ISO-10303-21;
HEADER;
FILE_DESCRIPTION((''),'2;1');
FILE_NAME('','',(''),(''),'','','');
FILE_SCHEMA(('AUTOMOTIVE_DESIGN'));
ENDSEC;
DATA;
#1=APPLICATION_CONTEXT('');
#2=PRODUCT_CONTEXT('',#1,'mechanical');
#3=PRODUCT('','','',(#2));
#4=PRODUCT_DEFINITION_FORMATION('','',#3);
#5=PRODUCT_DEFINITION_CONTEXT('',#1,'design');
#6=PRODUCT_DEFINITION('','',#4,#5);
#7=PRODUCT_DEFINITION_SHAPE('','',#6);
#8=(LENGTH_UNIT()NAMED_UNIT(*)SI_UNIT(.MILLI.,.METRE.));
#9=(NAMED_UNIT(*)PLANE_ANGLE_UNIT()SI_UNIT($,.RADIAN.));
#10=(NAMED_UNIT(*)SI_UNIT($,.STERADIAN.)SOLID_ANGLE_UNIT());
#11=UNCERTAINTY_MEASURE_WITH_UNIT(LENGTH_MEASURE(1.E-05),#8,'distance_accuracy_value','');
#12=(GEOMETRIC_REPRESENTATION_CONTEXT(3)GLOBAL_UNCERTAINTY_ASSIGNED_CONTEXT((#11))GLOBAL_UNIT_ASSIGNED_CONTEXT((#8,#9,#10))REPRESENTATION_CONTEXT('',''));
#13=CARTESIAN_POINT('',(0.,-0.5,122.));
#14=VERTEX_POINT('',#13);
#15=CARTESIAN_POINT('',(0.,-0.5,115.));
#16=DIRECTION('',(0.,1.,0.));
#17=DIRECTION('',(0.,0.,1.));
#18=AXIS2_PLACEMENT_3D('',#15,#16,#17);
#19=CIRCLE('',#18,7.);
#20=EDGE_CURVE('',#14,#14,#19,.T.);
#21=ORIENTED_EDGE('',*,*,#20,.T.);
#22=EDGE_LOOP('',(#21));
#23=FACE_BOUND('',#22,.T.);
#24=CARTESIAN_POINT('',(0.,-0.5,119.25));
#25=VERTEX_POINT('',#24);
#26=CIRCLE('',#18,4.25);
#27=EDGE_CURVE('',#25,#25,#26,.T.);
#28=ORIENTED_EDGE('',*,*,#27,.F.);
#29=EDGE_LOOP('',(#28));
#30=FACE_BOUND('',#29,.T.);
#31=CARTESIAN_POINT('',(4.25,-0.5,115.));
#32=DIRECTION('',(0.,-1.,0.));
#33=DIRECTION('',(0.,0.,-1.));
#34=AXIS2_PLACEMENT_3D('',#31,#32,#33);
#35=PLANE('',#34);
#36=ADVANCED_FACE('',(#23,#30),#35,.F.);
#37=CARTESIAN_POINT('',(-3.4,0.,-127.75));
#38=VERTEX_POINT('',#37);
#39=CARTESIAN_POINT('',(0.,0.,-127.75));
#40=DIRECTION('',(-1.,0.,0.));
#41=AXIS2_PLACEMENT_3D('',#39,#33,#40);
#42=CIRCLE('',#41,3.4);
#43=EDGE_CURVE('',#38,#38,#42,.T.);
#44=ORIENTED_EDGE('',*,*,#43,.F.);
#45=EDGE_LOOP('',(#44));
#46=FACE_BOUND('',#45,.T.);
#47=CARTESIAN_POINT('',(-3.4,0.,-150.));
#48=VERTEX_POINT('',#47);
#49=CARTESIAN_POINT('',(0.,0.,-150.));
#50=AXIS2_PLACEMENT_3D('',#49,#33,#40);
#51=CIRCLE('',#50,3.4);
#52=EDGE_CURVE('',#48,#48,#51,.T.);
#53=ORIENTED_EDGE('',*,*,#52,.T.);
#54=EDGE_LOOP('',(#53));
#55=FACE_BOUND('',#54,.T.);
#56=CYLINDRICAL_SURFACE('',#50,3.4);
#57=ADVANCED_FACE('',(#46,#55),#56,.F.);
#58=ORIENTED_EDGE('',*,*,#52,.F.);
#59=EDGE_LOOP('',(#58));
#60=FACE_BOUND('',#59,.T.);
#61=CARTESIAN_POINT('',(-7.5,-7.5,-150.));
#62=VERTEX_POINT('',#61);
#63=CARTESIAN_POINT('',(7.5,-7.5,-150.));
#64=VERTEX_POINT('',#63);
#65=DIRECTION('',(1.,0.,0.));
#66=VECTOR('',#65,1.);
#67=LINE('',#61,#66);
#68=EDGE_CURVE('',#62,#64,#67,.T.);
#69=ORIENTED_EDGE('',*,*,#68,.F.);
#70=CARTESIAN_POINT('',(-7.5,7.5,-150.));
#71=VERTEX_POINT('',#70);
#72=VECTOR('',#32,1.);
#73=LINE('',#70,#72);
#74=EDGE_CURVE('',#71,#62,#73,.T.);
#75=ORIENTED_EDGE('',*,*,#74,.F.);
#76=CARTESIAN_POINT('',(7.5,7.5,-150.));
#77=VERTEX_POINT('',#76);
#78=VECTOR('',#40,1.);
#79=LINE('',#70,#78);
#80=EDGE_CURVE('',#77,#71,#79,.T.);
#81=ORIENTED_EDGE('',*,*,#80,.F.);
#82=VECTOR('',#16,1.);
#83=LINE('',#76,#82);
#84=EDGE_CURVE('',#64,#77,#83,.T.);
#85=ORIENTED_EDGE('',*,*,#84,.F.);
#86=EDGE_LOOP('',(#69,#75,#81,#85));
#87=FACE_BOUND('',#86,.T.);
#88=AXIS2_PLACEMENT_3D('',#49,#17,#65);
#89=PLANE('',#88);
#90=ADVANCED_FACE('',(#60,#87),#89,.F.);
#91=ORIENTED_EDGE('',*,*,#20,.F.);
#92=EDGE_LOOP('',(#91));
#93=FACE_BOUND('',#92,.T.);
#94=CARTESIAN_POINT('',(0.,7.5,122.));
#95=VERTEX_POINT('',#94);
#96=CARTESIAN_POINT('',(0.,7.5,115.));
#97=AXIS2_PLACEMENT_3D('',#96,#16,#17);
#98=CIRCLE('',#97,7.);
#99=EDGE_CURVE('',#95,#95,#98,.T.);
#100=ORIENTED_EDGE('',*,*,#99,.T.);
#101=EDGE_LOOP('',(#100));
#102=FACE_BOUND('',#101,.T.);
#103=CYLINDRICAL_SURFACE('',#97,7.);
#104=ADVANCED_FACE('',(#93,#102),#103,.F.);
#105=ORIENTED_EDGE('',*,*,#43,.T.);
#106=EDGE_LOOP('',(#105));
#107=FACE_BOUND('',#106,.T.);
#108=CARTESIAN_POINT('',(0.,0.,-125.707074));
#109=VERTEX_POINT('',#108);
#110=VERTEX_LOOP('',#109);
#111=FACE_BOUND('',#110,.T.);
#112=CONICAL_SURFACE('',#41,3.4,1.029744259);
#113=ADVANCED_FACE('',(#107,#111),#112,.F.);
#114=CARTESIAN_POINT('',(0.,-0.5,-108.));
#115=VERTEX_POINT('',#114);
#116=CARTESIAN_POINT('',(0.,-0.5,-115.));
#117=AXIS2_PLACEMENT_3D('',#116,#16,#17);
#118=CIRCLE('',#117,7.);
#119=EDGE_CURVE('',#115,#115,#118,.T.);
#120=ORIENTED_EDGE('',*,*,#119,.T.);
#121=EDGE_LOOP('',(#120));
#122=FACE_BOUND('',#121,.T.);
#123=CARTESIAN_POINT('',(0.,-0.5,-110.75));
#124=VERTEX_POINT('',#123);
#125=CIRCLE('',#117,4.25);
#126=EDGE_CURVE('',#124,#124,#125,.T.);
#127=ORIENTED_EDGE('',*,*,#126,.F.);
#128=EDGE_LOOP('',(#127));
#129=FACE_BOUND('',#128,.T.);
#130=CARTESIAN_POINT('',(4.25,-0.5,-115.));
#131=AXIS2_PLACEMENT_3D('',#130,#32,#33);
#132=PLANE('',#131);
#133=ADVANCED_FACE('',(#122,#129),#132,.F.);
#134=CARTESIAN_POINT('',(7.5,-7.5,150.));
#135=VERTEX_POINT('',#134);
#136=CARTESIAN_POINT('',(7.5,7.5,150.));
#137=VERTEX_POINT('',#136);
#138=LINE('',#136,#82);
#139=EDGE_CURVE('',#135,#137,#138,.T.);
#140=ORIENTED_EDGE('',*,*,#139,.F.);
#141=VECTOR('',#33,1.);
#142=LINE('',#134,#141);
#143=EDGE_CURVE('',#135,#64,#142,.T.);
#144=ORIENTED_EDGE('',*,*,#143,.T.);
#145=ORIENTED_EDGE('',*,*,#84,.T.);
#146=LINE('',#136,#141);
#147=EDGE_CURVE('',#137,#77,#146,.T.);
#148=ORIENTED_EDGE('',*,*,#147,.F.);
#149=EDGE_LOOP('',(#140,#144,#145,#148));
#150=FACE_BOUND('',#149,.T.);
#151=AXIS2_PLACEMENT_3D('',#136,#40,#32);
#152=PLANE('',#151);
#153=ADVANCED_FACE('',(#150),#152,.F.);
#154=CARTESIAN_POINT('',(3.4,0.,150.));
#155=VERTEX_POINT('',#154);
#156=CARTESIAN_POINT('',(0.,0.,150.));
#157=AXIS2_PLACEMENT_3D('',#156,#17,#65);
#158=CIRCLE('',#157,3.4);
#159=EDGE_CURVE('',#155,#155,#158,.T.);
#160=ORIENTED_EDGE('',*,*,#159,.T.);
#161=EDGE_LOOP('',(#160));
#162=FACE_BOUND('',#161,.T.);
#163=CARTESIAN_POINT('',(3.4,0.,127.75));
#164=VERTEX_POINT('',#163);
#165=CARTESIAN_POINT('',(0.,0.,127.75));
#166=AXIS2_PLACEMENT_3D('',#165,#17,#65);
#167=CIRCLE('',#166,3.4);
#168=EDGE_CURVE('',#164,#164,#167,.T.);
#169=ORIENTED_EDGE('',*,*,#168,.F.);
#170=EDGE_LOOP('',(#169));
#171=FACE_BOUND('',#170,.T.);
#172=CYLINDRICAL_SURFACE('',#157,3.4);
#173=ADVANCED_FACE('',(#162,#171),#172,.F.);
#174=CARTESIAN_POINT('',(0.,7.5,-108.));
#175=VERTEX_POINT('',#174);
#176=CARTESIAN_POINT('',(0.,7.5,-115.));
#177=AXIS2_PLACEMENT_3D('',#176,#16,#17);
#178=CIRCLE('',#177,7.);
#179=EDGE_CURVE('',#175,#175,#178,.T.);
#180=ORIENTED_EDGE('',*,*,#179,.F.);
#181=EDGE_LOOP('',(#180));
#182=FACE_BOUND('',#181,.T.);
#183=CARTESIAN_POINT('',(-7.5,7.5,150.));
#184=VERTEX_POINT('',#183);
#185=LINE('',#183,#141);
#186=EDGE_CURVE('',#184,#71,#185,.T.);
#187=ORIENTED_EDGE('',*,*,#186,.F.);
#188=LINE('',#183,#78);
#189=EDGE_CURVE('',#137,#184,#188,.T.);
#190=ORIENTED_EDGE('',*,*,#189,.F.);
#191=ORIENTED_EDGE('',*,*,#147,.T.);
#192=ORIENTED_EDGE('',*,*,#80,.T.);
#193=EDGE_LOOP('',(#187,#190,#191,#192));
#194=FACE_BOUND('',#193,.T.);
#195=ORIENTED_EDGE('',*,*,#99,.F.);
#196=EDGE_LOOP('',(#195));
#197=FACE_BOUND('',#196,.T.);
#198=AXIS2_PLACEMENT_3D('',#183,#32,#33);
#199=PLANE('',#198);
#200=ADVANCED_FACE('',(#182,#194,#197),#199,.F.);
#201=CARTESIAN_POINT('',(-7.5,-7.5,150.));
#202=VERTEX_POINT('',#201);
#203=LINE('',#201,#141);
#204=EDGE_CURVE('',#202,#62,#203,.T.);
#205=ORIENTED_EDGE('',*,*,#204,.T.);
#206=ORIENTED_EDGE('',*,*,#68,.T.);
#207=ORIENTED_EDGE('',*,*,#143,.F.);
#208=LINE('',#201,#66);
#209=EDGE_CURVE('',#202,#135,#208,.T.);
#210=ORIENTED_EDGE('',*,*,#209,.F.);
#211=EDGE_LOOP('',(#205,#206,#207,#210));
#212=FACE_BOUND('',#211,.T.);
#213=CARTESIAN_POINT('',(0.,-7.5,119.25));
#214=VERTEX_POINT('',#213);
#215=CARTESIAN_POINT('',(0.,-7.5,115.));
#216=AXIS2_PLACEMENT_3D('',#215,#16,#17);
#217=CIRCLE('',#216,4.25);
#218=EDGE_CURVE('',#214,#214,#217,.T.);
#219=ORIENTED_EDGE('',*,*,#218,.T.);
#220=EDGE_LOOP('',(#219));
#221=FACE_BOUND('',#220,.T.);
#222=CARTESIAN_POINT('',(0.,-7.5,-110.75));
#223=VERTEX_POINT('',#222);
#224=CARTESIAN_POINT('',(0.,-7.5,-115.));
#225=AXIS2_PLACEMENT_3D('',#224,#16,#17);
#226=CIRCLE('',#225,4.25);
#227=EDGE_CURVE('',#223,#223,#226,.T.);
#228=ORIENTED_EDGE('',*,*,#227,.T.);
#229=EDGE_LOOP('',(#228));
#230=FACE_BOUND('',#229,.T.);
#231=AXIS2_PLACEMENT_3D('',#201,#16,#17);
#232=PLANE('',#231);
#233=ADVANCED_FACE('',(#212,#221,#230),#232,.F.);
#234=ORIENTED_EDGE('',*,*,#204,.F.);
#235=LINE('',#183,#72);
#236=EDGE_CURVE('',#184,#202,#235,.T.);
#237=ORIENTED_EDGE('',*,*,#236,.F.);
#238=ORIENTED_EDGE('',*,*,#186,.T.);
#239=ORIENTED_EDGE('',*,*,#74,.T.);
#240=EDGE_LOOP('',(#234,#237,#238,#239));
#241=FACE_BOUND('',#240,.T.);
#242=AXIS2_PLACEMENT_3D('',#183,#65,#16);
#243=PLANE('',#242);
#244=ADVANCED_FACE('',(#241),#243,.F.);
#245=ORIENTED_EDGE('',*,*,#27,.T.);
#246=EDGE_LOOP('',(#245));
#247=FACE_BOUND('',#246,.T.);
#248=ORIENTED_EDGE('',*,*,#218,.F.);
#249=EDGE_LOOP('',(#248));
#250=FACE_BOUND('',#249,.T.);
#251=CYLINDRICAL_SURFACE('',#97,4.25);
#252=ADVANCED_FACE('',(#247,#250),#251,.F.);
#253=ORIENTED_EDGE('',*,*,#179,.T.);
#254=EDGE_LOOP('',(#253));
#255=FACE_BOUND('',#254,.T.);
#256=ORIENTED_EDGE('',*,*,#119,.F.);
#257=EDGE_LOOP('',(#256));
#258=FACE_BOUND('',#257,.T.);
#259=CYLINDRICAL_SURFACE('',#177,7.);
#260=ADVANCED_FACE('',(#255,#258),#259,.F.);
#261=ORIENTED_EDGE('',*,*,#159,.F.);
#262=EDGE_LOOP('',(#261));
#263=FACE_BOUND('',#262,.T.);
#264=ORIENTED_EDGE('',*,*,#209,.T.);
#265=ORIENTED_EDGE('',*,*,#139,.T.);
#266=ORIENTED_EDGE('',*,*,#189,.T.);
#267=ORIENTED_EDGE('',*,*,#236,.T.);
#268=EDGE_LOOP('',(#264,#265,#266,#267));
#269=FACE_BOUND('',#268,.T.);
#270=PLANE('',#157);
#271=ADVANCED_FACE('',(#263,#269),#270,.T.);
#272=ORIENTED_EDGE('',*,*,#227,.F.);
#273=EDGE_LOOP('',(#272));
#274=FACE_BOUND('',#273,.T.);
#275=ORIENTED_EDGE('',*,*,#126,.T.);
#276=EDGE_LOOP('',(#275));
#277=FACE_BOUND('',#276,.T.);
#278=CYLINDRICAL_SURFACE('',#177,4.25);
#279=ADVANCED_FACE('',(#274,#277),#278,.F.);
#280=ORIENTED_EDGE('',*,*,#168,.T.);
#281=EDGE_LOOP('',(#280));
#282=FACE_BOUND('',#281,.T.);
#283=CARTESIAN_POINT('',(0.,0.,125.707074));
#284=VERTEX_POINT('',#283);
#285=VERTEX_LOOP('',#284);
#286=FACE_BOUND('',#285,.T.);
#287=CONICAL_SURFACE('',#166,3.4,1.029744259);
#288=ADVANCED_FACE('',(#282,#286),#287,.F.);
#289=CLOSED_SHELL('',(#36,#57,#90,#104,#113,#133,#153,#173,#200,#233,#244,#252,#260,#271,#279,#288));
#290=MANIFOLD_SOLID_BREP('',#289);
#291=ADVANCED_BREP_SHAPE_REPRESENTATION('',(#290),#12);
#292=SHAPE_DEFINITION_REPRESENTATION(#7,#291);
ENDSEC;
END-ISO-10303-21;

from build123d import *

# Parameters (mm, degrees)
IZIM1_W                     = 15
IZIM1_H                     = 15
Y_KSEKLIK_EKSTR_ZYON1_DEPTH = 150
DELIK1_D                    = 8.5
DELIK1_DEPTH                = 15
DELIK1_CBORE_D              = 14
DELIK1_CBORE_DEPTH          = 8


with BuildPart() as part:
    # Çizim1 → Yükseklik-Ekstrüzyon1 (new body, symmetric)
    with BuildSketch(Plane.XY):
        Rectangle(IZIM1_W, IZIM1_H)
    extrude(amount=Y_KSEKLIK_EKSTR_ZYON1_DEPTH, both=True)

    # Çizim3 → M8 Dişli Delik1 (revolve, cut)
    with BuildSketch(Plane(origin=(0, 0, 150), x_dir=(0, -1, 0), z_dir=(1, 0, 0))):
        Polygon((0, 0), (0, 24.292926105), (3.4, 22.25), (3.4, 0), align=None)
    m8_di_li_delik1 = revolve(axis=Axis((0, 0, 156.35), (0, 0, -1)), mode=Mode.SUBTRACT)

    # Aynalama1: M8 Dişli Delik1 across plane
    add(m8_di_li_delik1.mirror(Plane.XY), mode=Mode.SUBTRACT)

    # Delik1
    with Locations(Plane(origin=(0, 7.5, 0), x_dir=(1, 0, 0), z_dir=(0, 1, 0))):
        with Locations((0, 115)):
            delik1 = CounterBoreHole(DELIK1_D / 2, DELIK1_CBORE_D / 2, DELIK1_CBORE_DEPTH, depth=DELIK1_DEPTH)

    # Aynalama2: Delik1 across plane
    add(delik1.mirror(Plane.XY), mode=Mode.SUBTRACT)


solid = part.part
